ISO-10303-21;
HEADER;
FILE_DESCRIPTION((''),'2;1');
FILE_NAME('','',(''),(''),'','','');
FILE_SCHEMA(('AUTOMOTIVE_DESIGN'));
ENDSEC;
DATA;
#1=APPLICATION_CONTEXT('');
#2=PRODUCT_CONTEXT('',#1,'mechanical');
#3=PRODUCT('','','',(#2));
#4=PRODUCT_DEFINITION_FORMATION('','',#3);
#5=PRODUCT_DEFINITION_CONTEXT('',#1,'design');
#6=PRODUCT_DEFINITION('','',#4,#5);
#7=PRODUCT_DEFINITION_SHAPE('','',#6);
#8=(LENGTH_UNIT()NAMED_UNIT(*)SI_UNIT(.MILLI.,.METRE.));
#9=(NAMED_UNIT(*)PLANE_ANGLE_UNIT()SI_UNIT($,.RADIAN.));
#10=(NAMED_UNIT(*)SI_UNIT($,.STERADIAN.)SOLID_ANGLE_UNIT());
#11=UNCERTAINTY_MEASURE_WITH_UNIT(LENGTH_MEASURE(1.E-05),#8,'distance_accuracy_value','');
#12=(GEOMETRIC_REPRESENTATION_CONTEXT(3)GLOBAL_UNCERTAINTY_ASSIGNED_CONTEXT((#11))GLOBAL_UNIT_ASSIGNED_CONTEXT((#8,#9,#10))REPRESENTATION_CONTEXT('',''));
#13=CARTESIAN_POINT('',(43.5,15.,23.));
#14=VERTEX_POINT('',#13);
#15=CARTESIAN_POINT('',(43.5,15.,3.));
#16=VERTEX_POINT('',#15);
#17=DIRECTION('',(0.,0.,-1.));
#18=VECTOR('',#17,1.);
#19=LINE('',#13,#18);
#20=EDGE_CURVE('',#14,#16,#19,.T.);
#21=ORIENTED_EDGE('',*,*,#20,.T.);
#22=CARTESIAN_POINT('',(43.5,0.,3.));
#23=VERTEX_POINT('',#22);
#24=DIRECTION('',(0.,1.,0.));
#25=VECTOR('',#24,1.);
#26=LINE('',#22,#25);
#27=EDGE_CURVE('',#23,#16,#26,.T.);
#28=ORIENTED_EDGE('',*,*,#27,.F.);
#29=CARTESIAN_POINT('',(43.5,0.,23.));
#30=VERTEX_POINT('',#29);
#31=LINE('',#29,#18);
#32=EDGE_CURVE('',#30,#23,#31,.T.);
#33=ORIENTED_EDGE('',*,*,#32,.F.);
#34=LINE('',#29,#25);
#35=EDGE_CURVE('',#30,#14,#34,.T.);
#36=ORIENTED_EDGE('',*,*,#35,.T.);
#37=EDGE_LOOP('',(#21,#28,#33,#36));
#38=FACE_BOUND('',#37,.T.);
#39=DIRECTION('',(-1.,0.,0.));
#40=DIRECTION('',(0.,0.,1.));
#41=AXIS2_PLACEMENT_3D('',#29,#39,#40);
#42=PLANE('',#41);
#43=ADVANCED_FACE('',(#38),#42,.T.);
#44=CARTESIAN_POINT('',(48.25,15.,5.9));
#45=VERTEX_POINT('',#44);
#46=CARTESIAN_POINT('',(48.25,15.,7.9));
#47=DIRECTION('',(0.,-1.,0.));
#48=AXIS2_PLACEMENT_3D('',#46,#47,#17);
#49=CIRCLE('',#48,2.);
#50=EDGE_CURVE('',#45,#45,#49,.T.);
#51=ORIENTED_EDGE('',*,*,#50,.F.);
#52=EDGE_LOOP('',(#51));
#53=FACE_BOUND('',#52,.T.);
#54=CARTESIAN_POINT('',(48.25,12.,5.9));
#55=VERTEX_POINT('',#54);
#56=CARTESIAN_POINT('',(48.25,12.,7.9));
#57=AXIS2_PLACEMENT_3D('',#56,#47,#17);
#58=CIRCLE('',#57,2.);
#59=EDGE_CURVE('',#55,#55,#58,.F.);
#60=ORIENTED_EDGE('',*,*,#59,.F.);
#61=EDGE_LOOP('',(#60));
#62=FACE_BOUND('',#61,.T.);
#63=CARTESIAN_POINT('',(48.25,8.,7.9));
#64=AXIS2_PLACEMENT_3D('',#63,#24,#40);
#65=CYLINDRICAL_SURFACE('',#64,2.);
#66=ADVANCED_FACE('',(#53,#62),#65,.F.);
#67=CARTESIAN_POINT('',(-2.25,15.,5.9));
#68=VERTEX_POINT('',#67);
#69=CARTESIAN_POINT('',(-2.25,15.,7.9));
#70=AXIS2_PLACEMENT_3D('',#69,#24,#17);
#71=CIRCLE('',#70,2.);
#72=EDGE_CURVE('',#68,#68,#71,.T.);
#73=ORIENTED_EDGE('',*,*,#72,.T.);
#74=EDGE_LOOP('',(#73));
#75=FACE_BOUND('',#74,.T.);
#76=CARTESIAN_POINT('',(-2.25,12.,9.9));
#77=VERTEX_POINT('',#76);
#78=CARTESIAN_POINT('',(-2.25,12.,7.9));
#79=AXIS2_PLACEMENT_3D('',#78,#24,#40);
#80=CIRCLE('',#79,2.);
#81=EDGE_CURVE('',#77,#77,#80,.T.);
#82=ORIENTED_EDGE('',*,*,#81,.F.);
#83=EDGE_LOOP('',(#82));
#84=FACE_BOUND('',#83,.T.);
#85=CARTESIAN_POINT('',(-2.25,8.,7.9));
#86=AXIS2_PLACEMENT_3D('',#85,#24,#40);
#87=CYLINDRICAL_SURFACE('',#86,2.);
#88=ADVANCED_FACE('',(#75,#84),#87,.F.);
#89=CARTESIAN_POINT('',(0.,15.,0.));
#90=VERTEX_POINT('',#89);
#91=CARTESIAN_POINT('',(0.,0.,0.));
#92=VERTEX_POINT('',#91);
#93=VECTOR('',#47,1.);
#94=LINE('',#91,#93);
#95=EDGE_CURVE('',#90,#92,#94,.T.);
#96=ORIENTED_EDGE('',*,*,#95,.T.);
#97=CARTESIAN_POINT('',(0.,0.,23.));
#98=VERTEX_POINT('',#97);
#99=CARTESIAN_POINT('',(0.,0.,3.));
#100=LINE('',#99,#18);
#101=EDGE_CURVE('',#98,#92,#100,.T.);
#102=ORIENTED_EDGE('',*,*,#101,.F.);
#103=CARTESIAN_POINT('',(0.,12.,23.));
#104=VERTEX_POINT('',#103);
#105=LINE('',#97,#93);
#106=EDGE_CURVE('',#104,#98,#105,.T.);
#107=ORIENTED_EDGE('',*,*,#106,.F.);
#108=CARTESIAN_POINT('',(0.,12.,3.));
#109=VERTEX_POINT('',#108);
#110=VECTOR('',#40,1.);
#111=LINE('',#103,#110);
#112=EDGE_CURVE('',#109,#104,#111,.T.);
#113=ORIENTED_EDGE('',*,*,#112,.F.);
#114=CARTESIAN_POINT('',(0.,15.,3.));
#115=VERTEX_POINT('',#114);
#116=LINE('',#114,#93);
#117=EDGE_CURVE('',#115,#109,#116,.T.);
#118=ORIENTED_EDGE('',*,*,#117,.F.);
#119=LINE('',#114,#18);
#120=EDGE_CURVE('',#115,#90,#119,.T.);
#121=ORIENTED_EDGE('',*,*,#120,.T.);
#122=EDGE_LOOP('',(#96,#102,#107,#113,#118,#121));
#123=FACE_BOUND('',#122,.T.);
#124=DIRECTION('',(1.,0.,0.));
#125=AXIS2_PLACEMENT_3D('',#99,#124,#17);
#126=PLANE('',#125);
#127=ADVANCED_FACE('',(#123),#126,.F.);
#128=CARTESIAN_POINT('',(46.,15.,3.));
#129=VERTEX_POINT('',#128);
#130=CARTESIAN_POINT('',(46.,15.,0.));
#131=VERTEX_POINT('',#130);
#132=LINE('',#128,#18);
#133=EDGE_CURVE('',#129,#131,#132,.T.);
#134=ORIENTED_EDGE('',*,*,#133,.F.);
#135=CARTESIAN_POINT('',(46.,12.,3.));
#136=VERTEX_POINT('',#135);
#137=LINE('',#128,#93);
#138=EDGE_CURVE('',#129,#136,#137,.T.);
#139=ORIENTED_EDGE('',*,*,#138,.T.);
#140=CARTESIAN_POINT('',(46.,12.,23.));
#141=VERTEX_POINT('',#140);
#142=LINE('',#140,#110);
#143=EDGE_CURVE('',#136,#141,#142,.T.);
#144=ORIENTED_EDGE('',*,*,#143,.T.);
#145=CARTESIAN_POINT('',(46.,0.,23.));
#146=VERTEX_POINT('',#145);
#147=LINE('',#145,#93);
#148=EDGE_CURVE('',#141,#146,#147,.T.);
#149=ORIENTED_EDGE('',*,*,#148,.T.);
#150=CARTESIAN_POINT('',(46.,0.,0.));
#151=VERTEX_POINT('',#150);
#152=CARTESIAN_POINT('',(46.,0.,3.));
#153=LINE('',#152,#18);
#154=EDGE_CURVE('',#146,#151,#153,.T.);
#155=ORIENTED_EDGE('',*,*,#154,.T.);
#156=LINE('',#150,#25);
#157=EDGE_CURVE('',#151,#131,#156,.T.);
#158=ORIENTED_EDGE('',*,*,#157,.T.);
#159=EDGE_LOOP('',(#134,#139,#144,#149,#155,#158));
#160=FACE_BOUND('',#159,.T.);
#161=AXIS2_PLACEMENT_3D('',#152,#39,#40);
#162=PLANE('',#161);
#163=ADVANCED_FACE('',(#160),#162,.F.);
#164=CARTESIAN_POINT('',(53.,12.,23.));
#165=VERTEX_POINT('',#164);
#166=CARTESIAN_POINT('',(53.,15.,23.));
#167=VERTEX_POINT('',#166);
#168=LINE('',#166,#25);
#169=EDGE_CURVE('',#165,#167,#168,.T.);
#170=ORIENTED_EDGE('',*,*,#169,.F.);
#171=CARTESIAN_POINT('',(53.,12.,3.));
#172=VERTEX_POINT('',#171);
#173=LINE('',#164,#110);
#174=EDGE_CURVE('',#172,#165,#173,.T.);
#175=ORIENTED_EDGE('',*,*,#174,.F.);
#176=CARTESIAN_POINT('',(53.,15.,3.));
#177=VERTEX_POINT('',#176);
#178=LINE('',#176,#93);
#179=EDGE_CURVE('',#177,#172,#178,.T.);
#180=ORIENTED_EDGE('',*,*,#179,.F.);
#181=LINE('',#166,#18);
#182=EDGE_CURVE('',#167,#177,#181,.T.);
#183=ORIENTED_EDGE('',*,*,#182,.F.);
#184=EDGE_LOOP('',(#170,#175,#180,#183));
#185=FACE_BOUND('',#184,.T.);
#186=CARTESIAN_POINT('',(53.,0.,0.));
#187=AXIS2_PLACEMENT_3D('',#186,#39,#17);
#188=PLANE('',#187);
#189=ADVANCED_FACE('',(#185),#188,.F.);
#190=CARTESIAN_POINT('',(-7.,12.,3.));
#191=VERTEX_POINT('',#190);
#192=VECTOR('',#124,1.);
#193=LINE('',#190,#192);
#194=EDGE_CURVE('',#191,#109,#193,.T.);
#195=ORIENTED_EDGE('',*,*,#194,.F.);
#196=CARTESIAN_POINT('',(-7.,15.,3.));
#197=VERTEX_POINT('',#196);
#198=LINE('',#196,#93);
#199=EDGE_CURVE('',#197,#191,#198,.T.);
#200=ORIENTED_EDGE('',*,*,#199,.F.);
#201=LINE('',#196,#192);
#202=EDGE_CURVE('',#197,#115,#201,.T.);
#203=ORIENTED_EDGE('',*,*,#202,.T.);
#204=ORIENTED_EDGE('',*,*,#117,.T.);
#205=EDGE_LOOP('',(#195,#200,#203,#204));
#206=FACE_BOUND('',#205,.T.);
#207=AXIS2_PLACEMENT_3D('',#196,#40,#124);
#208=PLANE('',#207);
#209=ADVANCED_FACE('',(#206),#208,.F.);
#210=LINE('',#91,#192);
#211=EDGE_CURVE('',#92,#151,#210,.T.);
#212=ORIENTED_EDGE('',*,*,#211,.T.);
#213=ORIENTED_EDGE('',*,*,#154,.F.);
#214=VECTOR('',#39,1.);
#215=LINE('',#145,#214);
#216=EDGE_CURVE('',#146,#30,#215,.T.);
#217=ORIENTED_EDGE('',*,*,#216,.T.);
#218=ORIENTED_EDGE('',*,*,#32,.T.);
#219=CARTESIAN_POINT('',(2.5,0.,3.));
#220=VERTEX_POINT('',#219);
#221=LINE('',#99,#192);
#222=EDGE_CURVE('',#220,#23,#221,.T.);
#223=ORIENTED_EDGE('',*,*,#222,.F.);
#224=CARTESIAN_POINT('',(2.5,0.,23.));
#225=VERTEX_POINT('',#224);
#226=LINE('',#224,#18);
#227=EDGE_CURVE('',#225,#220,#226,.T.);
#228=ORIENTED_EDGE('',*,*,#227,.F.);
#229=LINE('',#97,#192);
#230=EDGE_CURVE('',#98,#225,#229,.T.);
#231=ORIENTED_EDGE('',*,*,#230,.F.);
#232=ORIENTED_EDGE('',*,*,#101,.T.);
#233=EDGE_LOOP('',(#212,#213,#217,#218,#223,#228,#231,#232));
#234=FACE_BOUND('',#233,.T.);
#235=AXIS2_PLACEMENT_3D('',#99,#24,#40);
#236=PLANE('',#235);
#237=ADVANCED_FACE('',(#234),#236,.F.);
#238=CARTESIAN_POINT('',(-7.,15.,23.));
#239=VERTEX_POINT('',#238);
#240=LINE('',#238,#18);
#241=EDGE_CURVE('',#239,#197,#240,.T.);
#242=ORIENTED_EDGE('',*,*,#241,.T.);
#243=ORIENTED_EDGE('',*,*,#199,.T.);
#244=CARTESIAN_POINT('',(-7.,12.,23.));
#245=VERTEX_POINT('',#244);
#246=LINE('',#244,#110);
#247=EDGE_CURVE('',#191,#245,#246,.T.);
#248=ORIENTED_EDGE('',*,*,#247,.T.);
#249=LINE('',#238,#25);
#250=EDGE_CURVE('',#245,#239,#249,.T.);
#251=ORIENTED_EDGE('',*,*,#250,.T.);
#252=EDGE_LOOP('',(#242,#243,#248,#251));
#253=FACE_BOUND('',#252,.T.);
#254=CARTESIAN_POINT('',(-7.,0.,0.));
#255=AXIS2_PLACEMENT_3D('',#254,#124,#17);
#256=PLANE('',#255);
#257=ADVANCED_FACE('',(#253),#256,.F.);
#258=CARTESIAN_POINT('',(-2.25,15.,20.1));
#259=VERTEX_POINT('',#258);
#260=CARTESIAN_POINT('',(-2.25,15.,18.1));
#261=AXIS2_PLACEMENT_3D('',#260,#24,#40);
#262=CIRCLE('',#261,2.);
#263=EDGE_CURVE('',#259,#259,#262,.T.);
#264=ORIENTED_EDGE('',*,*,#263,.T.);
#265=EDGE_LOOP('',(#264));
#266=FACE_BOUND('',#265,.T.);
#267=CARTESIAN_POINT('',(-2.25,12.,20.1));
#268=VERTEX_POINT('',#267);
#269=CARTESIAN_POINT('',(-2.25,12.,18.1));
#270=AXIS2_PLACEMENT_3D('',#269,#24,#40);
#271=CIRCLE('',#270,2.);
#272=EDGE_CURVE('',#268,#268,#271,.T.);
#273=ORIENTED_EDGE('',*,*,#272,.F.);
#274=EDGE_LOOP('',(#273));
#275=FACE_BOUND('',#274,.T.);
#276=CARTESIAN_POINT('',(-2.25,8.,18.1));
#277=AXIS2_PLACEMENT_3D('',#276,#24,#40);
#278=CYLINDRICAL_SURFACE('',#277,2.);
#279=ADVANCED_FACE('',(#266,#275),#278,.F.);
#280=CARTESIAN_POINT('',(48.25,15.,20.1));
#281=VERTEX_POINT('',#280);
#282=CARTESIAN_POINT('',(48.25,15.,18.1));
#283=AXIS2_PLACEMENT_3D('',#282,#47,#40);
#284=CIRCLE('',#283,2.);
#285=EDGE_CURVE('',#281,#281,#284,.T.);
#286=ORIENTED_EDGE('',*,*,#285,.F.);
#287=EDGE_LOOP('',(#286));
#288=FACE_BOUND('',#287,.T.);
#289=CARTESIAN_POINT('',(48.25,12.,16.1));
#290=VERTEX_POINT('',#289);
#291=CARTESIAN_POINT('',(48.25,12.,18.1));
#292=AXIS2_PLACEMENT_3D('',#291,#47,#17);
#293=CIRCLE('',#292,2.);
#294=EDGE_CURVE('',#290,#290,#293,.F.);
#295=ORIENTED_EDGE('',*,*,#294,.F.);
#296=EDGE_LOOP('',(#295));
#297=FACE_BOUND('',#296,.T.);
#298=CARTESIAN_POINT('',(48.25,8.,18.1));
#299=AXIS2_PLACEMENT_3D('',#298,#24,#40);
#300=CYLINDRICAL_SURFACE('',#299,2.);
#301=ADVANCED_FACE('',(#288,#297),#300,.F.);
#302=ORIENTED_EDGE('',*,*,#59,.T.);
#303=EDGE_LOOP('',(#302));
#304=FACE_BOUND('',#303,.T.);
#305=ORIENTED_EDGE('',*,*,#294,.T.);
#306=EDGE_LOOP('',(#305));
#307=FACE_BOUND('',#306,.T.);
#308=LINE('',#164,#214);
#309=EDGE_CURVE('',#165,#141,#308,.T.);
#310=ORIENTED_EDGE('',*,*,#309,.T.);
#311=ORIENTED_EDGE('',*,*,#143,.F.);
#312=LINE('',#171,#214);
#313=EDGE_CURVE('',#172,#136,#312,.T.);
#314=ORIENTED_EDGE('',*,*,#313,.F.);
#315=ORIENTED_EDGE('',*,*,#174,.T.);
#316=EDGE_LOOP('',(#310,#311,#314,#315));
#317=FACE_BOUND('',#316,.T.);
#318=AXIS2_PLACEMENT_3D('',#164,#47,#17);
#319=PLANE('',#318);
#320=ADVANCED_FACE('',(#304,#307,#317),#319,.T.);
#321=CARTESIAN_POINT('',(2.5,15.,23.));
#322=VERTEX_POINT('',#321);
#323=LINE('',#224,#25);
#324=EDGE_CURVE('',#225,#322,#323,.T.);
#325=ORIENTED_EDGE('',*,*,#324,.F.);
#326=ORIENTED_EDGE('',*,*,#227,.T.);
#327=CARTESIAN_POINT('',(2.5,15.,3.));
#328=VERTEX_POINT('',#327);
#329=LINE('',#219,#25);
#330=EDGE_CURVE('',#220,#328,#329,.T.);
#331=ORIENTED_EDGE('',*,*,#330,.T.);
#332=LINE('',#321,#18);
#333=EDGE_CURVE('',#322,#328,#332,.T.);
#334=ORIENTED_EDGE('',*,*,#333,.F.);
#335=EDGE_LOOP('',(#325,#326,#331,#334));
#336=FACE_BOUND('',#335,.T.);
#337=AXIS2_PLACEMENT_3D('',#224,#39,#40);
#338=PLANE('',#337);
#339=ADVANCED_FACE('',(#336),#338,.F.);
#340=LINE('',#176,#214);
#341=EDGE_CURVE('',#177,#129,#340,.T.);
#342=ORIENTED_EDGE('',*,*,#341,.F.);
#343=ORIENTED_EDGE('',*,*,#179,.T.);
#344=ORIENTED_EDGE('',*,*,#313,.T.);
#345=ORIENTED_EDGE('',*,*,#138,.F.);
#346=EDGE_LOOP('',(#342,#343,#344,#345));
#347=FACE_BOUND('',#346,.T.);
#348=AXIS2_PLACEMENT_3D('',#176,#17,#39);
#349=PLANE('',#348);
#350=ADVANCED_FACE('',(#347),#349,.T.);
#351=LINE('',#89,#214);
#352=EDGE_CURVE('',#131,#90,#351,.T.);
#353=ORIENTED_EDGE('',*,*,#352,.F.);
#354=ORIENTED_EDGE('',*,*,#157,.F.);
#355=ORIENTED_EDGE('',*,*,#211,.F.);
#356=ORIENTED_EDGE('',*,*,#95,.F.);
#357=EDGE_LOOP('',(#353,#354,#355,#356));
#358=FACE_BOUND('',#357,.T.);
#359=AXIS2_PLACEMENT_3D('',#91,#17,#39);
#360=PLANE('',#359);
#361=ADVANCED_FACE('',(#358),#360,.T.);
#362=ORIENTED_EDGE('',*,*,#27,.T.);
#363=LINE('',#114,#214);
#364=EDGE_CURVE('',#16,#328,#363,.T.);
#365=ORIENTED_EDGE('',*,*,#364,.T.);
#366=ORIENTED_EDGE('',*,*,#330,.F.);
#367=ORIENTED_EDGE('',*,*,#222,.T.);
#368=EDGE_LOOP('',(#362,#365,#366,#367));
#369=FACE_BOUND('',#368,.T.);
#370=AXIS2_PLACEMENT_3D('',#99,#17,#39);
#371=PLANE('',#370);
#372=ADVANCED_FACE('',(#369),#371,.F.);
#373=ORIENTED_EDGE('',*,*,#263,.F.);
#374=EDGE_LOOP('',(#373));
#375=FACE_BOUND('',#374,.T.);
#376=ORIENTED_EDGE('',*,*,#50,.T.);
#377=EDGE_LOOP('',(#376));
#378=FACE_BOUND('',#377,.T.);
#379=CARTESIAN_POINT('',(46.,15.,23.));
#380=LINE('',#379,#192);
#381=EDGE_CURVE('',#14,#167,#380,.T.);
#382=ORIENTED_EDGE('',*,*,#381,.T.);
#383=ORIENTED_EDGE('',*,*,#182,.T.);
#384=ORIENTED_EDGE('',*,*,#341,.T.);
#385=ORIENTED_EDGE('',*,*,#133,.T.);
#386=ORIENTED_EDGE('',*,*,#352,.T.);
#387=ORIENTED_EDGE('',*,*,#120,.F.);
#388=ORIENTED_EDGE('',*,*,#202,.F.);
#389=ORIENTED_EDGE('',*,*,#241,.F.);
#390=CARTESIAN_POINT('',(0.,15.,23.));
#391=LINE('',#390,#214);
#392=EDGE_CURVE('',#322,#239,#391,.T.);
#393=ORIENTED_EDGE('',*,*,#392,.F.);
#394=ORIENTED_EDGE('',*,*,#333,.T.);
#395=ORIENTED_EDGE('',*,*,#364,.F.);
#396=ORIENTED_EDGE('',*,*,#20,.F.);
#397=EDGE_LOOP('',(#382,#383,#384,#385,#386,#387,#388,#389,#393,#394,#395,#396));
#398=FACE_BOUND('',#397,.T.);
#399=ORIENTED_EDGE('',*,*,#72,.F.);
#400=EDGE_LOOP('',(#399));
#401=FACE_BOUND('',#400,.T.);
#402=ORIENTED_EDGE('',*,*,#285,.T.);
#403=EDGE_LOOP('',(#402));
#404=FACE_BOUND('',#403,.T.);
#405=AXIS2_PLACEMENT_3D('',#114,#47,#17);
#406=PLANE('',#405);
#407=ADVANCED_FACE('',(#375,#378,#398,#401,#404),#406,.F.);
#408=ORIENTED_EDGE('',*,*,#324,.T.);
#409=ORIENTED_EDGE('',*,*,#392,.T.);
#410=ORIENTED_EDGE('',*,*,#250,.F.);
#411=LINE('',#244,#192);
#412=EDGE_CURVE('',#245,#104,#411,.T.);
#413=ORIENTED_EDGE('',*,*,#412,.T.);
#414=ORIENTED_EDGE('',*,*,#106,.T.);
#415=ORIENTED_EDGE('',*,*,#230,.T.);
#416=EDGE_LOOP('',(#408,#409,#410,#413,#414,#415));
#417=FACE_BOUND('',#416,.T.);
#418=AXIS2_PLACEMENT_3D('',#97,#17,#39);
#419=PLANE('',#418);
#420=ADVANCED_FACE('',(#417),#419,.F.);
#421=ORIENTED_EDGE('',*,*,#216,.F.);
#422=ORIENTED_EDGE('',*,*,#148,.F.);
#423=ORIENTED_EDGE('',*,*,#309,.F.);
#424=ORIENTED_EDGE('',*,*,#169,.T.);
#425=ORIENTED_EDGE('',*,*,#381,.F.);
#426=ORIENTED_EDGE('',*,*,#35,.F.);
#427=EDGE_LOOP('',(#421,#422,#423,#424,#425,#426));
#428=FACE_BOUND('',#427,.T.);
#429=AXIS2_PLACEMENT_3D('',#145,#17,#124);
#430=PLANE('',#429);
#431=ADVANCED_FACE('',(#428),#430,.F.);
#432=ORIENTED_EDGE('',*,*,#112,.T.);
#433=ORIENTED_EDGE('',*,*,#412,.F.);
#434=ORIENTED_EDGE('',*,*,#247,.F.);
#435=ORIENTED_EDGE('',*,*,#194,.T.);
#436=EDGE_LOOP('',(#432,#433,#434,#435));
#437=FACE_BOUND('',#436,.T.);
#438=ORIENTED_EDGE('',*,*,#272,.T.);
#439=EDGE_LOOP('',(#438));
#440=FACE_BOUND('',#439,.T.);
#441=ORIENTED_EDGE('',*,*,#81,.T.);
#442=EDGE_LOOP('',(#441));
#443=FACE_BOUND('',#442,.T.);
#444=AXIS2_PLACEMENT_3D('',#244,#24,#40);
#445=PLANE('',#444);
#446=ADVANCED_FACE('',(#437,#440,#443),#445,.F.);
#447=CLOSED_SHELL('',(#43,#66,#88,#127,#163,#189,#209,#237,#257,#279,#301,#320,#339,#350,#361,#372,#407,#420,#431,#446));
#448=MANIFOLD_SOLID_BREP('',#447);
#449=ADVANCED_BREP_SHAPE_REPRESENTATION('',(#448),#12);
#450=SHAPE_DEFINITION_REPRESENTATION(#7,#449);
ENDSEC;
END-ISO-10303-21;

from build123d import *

# Parameters (mm, degrees)
SKETCH1_W           = 46
SKETCH1_H           = 15
BOSS_EXTRUDE1_DEPTH = 3
SKETCH3_W           = 2.5
SKETCH3_H           = 15
BOSS_EXTRUDE2_DEPTH = 20
SKETCH4_W           = 20
SKETCH4_H           = 3
BOSS_EXTRUDE3_DEPTH = 7
SKETCH5_R           = 2
CUT_EXTRUDE1_DEPTH  = 7


with BuildPart() as part:
    # Sketch1 → Boss-Extrude1 (new body)
    with BuildSketch(Plane.XY):
        with Locations((23, 7.5)):
            Rectangle(SKETCH1_W, SKETCH1_H)
    extrude(amount=BOSS_EXTRUDE1_DEPTH)

    # Sketch3 → Boss-Extrude2 (add)
    with BuildSketch(Plane.XY.offset(3)):
        with Locations((1.25, 7.5)):
            Rectangle(SKETCH3_W, SKETCH3_H)
    boss_extrude2 = extrude(amount=BOSS_EXTRUDE2_DEPTH)

    # Sketch4 → Boss-Extrude3 (add)
    with BuildSketch(Plane.ZY):
        with Locations((13, 13.5)):
            Rectangle(SKETCH4_W, SKETCH4_H)
    boss_extrude3 = extrude(amount=BOSS_EXTRUDE3_DEPTH)

    # Sketch5 → Cut-Extrude1 (cut)
    with BuildSketch(Plane(origin=(0, 15, 0), x_dir=(1, 0, 0), z_dir=(0, 1, 0))):
        with Locations(Location((-2.25, -18.1, 0), (0, 0, 270))):
            Circle(SKETCH5_R)
        with Locations(Location((-2.25, -7.9, 0), (0, 0, 270))):
            Circle(SKETCH5_R)
    cut_extrude1 = extrude(amount=-CUT_EXTRUDE1_DEPTH, mode=Mode.SUBTRACT)

    # Mirror1: Boss-Extrude2, Boss-Extrude3, Cut-Extrude1 across plane
    add(boss_extrude2.mirror(Plane(origin=(23, 0, 0), x_dir=(0, 0, 1), z_dir=(1, 0, 0))))
    add(boss_extrude3.mirror(Plane(origin=(23, 0, 0), x_dir=(0, 0, 1), z_dir=(1, 0, 0))))
    add(cut_extrude1.mirror(Plane(origin=(23, 0, 0), x_dir=(0, 0, 1), z_dir=(1, 0, 0))), mode=Mode.SUBTRACT)


solid = part.part
